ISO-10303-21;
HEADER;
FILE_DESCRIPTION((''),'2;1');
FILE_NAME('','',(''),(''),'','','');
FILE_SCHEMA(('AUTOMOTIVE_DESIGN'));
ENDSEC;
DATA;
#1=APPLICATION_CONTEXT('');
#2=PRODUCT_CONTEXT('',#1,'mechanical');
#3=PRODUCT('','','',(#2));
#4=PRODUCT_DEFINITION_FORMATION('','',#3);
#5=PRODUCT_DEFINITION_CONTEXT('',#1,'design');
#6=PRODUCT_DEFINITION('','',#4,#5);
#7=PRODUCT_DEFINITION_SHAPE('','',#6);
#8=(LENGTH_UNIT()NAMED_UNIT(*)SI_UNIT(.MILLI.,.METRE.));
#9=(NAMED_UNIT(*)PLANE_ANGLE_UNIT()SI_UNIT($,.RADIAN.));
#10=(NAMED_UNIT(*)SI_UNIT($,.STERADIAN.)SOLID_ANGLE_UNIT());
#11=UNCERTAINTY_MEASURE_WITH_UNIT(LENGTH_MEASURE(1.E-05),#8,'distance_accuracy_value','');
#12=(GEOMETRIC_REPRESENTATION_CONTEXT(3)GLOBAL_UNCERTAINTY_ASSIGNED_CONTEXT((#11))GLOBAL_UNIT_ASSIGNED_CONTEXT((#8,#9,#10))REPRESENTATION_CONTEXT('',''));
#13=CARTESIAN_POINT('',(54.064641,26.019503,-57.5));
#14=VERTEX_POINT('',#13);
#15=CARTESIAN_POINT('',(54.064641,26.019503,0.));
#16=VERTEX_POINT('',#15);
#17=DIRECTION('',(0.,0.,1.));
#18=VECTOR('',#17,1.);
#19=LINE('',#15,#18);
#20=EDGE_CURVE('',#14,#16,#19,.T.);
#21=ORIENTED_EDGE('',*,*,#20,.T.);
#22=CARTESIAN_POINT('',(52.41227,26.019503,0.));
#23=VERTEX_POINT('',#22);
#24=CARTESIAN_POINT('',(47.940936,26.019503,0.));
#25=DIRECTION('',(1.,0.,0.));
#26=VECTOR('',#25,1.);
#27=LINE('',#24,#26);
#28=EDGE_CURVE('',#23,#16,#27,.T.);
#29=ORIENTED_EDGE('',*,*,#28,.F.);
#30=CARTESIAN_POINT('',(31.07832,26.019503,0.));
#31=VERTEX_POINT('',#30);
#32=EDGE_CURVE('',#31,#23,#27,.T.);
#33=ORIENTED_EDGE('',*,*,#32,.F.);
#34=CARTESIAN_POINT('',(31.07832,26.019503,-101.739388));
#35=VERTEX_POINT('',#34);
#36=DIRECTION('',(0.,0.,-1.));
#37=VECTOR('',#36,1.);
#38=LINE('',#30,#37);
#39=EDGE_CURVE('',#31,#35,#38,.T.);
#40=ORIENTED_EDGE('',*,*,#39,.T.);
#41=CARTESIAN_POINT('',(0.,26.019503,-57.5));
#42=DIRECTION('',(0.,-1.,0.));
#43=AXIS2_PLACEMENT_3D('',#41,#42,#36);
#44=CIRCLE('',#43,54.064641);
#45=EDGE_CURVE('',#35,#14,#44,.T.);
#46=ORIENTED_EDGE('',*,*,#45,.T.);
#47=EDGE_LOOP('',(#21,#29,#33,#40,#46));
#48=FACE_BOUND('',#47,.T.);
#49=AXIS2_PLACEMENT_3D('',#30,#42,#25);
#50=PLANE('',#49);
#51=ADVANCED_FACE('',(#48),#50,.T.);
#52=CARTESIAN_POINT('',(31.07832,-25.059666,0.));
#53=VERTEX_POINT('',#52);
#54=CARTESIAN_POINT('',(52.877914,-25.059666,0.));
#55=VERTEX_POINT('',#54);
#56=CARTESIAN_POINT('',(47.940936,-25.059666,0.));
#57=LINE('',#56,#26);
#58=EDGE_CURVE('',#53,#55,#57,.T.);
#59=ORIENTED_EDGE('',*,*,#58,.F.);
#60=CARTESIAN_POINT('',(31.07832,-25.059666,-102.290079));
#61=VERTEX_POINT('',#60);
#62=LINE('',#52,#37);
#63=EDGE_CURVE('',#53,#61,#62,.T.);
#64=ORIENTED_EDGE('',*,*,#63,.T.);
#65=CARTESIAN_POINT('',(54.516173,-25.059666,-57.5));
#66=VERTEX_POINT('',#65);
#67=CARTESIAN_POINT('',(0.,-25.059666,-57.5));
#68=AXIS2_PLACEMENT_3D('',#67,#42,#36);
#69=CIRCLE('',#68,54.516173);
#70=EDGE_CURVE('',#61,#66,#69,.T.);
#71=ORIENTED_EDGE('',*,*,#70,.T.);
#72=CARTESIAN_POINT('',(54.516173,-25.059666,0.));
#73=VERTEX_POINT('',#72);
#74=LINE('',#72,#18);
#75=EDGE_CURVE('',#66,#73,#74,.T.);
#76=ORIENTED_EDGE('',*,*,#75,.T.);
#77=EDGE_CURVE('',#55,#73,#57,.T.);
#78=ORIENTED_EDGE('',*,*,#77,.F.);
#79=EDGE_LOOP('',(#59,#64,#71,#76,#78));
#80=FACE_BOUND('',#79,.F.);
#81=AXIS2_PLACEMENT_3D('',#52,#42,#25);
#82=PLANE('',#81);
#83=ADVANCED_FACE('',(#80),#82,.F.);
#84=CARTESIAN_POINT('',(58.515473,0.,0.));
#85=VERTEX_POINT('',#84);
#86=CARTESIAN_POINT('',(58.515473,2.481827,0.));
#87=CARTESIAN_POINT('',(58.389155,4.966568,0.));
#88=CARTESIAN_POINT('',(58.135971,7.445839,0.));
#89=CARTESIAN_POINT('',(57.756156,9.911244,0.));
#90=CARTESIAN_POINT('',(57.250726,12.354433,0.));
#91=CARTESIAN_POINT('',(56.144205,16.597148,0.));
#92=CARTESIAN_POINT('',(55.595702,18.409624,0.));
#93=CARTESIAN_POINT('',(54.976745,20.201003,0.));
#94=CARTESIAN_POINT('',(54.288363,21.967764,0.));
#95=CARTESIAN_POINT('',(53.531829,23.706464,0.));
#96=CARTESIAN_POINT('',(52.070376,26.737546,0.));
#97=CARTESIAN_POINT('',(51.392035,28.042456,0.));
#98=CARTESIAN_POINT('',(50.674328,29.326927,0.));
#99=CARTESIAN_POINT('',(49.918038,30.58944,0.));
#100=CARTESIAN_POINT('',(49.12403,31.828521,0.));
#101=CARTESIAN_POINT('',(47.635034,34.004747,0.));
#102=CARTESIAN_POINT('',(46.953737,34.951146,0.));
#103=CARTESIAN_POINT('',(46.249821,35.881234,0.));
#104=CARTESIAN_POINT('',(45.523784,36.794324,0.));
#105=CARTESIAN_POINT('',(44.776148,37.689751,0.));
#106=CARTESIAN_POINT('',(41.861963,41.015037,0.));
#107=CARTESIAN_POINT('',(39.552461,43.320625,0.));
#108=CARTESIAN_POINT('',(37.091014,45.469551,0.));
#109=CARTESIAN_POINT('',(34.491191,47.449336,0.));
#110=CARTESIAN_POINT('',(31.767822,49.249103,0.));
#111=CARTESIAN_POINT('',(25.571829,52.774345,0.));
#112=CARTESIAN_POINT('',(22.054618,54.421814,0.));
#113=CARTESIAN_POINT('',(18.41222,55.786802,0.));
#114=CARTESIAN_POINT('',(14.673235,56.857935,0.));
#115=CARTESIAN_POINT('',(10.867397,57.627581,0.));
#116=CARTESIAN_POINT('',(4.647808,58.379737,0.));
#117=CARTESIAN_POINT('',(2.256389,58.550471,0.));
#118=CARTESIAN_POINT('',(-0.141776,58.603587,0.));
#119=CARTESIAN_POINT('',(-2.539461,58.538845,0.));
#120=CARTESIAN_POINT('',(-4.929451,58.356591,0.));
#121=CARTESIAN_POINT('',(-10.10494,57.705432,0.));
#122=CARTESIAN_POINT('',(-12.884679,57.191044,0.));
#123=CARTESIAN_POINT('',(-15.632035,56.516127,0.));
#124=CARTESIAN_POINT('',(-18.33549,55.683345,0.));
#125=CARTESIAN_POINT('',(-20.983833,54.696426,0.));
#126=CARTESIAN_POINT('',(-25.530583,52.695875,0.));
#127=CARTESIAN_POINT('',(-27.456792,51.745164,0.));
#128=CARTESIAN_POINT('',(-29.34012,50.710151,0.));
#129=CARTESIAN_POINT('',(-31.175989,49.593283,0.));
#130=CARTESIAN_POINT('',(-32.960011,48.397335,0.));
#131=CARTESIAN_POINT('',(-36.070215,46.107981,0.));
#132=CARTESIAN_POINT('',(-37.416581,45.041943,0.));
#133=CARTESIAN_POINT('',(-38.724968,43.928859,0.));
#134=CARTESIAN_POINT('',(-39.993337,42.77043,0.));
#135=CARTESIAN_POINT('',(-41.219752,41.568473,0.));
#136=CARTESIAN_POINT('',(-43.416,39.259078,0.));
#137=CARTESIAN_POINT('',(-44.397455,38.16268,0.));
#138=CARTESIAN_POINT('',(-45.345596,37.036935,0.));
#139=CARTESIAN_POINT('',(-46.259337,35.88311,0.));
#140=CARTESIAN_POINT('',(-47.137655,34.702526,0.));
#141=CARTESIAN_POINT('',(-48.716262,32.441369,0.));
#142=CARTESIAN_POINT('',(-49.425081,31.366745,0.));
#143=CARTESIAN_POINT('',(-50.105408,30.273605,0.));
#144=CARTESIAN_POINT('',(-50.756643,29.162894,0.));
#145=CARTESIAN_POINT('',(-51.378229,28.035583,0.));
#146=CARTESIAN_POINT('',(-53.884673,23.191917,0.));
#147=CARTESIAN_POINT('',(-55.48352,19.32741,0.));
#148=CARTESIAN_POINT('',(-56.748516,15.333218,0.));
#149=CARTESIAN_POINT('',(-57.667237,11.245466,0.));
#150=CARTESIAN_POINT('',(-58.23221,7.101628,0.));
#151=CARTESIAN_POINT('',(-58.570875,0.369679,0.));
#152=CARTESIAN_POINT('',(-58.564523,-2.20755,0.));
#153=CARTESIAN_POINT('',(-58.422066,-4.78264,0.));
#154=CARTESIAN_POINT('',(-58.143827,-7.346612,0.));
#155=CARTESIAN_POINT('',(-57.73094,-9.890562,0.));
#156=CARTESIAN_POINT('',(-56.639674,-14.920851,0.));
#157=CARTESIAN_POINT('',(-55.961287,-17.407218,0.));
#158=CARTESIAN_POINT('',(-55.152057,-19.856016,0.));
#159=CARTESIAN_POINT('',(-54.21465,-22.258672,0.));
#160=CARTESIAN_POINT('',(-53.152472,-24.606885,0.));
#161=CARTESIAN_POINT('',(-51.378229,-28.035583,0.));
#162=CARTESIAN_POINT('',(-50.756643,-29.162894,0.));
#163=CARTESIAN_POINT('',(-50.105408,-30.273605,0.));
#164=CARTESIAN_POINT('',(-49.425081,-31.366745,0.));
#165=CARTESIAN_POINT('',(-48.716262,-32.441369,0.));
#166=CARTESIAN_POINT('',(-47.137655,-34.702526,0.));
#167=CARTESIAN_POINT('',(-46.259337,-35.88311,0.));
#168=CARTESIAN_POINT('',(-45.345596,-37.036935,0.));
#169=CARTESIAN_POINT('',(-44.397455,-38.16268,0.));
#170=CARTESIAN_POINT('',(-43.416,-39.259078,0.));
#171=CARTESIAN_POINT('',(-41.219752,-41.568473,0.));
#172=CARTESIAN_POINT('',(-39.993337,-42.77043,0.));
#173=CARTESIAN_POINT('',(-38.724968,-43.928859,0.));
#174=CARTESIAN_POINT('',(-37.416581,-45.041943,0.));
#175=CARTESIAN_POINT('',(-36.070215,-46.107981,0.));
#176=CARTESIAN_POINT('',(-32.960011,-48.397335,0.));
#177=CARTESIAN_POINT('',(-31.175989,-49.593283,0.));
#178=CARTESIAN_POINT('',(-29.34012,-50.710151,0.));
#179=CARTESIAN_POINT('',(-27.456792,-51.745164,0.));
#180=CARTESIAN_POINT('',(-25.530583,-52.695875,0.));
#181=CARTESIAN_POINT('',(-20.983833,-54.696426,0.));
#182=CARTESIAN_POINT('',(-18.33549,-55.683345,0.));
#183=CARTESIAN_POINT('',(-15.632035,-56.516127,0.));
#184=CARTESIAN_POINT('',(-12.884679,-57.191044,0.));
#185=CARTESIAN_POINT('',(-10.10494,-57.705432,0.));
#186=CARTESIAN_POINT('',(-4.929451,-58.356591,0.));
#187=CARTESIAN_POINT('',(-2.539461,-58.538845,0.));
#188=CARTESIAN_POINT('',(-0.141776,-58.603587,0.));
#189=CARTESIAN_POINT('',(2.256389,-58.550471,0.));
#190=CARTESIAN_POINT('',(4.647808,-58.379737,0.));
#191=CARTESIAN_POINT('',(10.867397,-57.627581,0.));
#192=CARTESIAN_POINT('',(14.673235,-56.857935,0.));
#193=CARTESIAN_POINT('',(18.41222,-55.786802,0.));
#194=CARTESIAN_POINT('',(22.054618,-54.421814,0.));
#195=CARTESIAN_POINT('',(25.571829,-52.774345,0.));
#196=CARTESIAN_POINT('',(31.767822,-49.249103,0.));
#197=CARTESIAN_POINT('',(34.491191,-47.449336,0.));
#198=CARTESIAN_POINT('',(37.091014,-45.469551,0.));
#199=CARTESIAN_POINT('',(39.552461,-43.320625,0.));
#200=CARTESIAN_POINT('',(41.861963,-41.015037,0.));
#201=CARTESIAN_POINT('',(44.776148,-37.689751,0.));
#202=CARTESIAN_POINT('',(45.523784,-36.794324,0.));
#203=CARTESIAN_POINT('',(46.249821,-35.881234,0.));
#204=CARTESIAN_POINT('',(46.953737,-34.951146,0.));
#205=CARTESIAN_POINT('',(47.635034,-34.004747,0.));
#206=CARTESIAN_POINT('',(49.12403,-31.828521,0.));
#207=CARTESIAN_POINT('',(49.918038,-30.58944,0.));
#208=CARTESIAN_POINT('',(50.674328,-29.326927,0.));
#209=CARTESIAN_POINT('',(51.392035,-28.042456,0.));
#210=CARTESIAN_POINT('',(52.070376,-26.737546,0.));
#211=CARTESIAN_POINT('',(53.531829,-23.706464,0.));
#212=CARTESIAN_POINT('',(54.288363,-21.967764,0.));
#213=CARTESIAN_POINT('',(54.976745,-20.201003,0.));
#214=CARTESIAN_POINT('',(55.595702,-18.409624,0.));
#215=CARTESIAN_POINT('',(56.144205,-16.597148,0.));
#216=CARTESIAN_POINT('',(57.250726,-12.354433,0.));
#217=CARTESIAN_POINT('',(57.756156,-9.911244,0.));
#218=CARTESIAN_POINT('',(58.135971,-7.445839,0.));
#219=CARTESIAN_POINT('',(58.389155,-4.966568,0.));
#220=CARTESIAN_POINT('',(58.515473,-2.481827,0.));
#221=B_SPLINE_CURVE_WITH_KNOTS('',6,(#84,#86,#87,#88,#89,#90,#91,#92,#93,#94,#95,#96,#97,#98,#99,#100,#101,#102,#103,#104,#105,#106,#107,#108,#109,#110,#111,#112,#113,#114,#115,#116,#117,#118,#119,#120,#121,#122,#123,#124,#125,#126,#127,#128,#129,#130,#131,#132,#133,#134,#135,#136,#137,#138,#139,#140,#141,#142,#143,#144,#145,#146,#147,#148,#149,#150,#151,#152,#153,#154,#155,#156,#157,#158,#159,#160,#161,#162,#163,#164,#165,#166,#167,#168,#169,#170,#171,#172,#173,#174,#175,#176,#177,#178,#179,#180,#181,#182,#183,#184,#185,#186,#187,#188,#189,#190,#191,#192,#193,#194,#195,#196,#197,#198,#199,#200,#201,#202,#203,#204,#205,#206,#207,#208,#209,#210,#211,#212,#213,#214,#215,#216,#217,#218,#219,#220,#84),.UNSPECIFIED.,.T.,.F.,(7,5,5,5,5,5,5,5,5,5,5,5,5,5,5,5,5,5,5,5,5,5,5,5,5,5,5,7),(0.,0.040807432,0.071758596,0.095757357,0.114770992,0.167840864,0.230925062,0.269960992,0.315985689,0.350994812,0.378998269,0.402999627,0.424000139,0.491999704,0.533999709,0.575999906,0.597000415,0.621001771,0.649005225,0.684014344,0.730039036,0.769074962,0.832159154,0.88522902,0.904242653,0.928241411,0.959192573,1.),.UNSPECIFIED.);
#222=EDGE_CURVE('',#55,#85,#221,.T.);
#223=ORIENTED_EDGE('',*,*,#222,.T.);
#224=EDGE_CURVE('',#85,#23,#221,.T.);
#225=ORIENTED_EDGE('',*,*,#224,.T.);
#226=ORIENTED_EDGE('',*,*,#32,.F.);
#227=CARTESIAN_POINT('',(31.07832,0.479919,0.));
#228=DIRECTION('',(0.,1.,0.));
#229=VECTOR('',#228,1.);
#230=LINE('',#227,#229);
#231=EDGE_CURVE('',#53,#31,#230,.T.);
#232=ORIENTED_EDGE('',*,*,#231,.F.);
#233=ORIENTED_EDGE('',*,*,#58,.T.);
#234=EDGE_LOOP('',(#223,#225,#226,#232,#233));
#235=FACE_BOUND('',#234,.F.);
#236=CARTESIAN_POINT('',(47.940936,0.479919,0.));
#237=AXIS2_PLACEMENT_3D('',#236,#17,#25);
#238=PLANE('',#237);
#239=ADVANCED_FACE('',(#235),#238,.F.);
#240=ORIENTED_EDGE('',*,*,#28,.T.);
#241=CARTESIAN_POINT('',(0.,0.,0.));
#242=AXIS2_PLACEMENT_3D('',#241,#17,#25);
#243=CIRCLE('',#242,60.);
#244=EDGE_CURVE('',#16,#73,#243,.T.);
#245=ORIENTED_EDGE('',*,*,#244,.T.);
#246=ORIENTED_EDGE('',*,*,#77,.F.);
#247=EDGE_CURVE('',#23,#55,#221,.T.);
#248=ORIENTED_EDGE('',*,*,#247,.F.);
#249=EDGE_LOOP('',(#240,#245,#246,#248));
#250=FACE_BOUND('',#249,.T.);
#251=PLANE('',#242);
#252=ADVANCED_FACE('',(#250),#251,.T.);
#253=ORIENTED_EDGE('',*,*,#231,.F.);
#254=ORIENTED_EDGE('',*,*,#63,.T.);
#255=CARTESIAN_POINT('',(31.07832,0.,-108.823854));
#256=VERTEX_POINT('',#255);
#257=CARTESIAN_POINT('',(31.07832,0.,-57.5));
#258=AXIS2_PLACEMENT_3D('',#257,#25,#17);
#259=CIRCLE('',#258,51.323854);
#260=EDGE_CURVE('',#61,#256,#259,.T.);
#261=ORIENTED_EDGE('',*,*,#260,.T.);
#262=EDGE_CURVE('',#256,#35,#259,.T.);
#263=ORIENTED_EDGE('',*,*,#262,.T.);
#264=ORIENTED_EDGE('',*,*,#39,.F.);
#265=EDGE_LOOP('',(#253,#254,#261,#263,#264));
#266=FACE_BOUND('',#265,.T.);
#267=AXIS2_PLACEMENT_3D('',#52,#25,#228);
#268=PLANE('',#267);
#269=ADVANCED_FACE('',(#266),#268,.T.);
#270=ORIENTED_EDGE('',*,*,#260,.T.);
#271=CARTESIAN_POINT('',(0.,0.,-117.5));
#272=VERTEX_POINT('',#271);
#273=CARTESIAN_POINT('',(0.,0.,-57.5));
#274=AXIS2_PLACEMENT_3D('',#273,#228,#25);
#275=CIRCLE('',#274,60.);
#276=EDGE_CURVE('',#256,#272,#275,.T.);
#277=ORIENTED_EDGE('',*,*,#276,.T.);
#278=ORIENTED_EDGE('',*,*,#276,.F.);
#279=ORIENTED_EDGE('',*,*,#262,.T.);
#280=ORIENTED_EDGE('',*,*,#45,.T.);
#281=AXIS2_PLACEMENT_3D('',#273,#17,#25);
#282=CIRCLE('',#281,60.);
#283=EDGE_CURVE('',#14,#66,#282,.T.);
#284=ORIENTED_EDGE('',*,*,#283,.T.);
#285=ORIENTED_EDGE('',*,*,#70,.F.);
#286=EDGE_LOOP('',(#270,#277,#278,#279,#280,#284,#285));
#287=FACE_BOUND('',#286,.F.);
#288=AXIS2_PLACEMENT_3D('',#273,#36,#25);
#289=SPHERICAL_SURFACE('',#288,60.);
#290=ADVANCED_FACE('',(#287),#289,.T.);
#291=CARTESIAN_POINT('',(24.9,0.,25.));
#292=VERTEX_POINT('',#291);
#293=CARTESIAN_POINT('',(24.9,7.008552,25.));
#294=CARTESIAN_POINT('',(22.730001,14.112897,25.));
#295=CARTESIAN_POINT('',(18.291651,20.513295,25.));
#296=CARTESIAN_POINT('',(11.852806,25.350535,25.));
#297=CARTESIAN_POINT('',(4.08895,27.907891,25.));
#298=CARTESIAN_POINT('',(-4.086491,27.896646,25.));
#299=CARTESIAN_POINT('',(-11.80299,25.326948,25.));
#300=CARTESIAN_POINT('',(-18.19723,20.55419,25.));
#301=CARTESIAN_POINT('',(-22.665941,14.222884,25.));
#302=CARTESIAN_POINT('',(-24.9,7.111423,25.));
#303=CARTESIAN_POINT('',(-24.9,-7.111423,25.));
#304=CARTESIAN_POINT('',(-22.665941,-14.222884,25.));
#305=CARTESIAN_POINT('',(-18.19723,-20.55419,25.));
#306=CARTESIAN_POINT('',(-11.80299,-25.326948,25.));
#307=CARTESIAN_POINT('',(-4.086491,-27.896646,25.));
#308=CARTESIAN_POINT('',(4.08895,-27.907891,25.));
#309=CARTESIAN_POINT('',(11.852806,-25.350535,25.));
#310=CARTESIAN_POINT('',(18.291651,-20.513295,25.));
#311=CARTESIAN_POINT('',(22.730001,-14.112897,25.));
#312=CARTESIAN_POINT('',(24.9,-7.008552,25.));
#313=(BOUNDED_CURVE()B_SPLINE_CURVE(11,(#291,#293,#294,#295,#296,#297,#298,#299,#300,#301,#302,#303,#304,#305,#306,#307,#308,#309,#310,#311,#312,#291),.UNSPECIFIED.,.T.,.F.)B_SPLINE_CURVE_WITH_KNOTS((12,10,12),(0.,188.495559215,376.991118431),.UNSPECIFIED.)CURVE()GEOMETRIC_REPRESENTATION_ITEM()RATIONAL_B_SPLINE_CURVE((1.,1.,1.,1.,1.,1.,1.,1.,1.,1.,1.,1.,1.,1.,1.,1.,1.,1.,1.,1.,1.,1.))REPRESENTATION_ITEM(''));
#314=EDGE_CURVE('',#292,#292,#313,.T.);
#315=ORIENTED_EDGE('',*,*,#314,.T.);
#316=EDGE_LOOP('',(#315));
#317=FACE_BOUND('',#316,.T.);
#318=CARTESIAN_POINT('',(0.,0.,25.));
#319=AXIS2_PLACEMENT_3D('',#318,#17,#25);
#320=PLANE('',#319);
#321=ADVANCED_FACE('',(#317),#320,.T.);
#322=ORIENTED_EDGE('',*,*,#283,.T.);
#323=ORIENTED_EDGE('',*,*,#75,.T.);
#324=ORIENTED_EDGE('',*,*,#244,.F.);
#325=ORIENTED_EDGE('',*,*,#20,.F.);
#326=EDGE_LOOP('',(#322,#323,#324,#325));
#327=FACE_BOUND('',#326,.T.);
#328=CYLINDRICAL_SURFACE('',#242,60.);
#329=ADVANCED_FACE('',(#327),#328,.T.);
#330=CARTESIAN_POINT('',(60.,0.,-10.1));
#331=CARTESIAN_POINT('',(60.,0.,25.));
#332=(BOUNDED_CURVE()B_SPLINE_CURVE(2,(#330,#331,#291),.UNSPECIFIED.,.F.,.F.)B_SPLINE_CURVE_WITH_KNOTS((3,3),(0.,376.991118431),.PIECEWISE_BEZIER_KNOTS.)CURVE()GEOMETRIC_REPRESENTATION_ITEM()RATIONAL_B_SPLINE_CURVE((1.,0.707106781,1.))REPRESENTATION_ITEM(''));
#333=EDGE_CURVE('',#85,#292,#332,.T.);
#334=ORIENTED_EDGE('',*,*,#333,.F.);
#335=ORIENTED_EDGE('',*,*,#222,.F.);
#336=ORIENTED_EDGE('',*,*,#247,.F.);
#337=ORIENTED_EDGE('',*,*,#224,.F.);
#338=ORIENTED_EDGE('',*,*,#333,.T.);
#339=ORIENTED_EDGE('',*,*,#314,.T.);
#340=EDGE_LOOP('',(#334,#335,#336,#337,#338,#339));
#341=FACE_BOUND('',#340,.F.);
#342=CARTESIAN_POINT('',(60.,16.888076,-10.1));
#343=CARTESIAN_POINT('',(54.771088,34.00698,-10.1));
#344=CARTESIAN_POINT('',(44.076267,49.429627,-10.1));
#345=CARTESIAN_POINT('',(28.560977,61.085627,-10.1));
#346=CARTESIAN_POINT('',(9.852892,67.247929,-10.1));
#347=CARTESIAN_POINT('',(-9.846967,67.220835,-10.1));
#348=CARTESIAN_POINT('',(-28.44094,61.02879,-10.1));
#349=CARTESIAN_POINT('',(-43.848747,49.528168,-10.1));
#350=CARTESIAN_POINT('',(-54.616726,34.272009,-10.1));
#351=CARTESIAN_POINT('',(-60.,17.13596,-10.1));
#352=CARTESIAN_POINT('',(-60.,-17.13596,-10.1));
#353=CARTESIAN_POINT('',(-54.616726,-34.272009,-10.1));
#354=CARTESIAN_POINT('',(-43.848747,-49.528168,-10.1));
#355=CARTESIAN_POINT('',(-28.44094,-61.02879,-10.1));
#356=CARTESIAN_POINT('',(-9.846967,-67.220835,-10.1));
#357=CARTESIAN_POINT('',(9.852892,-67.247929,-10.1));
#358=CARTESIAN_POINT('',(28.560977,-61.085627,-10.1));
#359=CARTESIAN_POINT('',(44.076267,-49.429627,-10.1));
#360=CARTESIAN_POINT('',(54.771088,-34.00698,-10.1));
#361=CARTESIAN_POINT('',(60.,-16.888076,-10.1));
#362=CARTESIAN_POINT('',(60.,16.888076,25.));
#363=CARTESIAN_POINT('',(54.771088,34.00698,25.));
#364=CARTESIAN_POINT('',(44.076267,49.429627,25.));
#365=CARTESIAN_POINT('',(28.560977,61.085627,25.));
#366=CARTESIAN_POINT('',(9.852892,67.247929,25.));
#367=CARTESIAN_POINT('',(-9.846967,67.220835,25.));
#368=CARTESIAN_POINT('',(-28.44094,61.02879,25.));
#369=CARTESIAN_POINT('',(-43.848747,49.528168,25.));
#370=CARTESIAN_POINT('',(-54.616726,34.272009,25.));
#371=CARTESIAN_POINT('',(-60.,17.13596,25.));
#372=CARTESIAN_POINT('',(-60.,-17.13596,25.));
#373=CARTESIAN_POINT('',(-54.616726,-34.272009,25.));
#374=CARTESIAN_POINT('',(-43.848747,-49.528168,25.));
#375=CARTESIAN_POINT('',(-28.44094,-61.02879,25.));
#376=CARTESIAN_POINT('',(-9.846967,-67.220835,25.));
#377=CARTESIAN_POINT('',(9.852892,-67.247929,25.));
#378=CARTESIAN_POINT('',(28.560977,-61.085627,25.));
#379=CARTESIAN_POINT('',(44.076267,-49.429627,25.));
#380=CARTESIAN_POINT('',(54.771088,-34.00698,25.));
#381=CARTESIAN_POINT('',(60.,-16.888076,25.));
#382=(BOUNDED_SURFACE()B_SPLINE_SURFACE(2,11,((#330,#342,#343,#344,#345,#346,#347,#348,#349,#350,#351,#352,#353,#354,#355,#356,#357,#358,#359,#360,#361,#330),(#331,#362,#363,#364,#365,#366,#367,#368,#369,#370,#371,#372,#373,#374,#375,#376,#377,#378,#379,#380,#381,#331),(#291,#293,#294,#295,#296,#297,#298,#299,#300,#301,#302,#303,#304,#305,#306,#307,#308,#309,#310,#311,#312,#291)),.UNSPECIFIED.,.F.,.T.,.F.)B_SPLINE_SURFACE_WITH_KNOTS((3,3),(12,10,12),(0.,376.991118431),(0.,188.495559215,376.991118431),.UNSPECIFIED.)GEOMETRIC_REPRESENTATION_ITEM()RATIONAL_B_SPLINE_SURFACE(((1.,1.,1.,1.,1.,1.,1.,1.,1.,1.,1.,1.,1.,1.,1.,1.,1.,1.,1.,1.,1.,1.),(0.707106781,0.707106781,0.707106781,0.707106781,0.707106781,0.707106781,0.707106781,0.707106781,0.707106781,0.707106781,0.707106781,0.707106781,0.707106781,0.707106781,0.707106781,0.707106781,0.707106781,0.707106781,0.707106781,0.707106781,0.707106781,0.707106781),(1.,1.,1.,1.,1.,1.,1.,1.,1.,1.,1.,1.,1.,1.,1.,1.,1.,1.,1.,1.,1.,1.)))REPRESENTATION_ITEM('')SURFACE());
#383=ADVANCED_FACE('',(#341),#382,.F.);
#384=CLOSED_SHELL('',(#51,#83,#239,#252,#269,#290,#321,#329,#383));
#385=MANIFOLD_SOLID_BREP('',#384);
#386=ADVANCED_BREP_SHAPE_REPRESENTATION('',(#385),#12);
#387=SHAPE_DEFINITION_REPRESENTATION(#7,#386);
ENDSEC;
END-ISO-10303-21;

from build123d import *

# Parameters (mm, degrees)
F0_R     = 60
F0_R_2   = 58.5
F1_DEPTH = 70
F2_R     = 60
F3_DEPTH = 25
F4_R     = 35.1
F5_R     = 60
F6_DEPTH = 117.5
F7_R     = 60
F8_W     = 33.7252318859
F8_H     = 51.0791689157
F9_DEPTH = 133


with BuildPart() as f1:
    # F0 (on Top) → F1 (new body)
    with BuildSketch(Plane.XY):
        Circle(F0_R)
        Circle(F0_R_2, mode=Mode.SUBTRACT)
    extrude(amount=-F1_DEPTH)

    # F2 (on Top) → F3 (join)
    with BuildSketch(Plane.XY):
        Circle(F2_R)
    extrude(amount=F3_DEPTH)

    # F4
    f4_edges = [f1.edges().sort_by_distance(p)[0] for p in [
        (-60, 0, 25),
    ]]
    fillet(f4_edges, radius=F4_R)

    # F5 (on Top) → F6 (join)
    with BuildSketch(Plane.XY):
        Circle(F5_R)
    extrude(amount=-F6_DEPTH)

    # F7
    f7_edges = [f1.edges().sort_by_distance(p)[0] for p in [
        (-60, 0, -117.5),
        (-24.9, 0, 25),
    ]]
    fillet(f7_edges, radius=F7_R)

    # F8 (on Top) → F9 (cut)
    with BuildSketch(Plane.XY):
        with Locations((47.9409359396, 0.4799189046)):
            Rectangle(F8_W, F8_H)
    extrude(amount=-F9_DEPTH, mode=Mode.SUBTRACT)


solid = f1.part
